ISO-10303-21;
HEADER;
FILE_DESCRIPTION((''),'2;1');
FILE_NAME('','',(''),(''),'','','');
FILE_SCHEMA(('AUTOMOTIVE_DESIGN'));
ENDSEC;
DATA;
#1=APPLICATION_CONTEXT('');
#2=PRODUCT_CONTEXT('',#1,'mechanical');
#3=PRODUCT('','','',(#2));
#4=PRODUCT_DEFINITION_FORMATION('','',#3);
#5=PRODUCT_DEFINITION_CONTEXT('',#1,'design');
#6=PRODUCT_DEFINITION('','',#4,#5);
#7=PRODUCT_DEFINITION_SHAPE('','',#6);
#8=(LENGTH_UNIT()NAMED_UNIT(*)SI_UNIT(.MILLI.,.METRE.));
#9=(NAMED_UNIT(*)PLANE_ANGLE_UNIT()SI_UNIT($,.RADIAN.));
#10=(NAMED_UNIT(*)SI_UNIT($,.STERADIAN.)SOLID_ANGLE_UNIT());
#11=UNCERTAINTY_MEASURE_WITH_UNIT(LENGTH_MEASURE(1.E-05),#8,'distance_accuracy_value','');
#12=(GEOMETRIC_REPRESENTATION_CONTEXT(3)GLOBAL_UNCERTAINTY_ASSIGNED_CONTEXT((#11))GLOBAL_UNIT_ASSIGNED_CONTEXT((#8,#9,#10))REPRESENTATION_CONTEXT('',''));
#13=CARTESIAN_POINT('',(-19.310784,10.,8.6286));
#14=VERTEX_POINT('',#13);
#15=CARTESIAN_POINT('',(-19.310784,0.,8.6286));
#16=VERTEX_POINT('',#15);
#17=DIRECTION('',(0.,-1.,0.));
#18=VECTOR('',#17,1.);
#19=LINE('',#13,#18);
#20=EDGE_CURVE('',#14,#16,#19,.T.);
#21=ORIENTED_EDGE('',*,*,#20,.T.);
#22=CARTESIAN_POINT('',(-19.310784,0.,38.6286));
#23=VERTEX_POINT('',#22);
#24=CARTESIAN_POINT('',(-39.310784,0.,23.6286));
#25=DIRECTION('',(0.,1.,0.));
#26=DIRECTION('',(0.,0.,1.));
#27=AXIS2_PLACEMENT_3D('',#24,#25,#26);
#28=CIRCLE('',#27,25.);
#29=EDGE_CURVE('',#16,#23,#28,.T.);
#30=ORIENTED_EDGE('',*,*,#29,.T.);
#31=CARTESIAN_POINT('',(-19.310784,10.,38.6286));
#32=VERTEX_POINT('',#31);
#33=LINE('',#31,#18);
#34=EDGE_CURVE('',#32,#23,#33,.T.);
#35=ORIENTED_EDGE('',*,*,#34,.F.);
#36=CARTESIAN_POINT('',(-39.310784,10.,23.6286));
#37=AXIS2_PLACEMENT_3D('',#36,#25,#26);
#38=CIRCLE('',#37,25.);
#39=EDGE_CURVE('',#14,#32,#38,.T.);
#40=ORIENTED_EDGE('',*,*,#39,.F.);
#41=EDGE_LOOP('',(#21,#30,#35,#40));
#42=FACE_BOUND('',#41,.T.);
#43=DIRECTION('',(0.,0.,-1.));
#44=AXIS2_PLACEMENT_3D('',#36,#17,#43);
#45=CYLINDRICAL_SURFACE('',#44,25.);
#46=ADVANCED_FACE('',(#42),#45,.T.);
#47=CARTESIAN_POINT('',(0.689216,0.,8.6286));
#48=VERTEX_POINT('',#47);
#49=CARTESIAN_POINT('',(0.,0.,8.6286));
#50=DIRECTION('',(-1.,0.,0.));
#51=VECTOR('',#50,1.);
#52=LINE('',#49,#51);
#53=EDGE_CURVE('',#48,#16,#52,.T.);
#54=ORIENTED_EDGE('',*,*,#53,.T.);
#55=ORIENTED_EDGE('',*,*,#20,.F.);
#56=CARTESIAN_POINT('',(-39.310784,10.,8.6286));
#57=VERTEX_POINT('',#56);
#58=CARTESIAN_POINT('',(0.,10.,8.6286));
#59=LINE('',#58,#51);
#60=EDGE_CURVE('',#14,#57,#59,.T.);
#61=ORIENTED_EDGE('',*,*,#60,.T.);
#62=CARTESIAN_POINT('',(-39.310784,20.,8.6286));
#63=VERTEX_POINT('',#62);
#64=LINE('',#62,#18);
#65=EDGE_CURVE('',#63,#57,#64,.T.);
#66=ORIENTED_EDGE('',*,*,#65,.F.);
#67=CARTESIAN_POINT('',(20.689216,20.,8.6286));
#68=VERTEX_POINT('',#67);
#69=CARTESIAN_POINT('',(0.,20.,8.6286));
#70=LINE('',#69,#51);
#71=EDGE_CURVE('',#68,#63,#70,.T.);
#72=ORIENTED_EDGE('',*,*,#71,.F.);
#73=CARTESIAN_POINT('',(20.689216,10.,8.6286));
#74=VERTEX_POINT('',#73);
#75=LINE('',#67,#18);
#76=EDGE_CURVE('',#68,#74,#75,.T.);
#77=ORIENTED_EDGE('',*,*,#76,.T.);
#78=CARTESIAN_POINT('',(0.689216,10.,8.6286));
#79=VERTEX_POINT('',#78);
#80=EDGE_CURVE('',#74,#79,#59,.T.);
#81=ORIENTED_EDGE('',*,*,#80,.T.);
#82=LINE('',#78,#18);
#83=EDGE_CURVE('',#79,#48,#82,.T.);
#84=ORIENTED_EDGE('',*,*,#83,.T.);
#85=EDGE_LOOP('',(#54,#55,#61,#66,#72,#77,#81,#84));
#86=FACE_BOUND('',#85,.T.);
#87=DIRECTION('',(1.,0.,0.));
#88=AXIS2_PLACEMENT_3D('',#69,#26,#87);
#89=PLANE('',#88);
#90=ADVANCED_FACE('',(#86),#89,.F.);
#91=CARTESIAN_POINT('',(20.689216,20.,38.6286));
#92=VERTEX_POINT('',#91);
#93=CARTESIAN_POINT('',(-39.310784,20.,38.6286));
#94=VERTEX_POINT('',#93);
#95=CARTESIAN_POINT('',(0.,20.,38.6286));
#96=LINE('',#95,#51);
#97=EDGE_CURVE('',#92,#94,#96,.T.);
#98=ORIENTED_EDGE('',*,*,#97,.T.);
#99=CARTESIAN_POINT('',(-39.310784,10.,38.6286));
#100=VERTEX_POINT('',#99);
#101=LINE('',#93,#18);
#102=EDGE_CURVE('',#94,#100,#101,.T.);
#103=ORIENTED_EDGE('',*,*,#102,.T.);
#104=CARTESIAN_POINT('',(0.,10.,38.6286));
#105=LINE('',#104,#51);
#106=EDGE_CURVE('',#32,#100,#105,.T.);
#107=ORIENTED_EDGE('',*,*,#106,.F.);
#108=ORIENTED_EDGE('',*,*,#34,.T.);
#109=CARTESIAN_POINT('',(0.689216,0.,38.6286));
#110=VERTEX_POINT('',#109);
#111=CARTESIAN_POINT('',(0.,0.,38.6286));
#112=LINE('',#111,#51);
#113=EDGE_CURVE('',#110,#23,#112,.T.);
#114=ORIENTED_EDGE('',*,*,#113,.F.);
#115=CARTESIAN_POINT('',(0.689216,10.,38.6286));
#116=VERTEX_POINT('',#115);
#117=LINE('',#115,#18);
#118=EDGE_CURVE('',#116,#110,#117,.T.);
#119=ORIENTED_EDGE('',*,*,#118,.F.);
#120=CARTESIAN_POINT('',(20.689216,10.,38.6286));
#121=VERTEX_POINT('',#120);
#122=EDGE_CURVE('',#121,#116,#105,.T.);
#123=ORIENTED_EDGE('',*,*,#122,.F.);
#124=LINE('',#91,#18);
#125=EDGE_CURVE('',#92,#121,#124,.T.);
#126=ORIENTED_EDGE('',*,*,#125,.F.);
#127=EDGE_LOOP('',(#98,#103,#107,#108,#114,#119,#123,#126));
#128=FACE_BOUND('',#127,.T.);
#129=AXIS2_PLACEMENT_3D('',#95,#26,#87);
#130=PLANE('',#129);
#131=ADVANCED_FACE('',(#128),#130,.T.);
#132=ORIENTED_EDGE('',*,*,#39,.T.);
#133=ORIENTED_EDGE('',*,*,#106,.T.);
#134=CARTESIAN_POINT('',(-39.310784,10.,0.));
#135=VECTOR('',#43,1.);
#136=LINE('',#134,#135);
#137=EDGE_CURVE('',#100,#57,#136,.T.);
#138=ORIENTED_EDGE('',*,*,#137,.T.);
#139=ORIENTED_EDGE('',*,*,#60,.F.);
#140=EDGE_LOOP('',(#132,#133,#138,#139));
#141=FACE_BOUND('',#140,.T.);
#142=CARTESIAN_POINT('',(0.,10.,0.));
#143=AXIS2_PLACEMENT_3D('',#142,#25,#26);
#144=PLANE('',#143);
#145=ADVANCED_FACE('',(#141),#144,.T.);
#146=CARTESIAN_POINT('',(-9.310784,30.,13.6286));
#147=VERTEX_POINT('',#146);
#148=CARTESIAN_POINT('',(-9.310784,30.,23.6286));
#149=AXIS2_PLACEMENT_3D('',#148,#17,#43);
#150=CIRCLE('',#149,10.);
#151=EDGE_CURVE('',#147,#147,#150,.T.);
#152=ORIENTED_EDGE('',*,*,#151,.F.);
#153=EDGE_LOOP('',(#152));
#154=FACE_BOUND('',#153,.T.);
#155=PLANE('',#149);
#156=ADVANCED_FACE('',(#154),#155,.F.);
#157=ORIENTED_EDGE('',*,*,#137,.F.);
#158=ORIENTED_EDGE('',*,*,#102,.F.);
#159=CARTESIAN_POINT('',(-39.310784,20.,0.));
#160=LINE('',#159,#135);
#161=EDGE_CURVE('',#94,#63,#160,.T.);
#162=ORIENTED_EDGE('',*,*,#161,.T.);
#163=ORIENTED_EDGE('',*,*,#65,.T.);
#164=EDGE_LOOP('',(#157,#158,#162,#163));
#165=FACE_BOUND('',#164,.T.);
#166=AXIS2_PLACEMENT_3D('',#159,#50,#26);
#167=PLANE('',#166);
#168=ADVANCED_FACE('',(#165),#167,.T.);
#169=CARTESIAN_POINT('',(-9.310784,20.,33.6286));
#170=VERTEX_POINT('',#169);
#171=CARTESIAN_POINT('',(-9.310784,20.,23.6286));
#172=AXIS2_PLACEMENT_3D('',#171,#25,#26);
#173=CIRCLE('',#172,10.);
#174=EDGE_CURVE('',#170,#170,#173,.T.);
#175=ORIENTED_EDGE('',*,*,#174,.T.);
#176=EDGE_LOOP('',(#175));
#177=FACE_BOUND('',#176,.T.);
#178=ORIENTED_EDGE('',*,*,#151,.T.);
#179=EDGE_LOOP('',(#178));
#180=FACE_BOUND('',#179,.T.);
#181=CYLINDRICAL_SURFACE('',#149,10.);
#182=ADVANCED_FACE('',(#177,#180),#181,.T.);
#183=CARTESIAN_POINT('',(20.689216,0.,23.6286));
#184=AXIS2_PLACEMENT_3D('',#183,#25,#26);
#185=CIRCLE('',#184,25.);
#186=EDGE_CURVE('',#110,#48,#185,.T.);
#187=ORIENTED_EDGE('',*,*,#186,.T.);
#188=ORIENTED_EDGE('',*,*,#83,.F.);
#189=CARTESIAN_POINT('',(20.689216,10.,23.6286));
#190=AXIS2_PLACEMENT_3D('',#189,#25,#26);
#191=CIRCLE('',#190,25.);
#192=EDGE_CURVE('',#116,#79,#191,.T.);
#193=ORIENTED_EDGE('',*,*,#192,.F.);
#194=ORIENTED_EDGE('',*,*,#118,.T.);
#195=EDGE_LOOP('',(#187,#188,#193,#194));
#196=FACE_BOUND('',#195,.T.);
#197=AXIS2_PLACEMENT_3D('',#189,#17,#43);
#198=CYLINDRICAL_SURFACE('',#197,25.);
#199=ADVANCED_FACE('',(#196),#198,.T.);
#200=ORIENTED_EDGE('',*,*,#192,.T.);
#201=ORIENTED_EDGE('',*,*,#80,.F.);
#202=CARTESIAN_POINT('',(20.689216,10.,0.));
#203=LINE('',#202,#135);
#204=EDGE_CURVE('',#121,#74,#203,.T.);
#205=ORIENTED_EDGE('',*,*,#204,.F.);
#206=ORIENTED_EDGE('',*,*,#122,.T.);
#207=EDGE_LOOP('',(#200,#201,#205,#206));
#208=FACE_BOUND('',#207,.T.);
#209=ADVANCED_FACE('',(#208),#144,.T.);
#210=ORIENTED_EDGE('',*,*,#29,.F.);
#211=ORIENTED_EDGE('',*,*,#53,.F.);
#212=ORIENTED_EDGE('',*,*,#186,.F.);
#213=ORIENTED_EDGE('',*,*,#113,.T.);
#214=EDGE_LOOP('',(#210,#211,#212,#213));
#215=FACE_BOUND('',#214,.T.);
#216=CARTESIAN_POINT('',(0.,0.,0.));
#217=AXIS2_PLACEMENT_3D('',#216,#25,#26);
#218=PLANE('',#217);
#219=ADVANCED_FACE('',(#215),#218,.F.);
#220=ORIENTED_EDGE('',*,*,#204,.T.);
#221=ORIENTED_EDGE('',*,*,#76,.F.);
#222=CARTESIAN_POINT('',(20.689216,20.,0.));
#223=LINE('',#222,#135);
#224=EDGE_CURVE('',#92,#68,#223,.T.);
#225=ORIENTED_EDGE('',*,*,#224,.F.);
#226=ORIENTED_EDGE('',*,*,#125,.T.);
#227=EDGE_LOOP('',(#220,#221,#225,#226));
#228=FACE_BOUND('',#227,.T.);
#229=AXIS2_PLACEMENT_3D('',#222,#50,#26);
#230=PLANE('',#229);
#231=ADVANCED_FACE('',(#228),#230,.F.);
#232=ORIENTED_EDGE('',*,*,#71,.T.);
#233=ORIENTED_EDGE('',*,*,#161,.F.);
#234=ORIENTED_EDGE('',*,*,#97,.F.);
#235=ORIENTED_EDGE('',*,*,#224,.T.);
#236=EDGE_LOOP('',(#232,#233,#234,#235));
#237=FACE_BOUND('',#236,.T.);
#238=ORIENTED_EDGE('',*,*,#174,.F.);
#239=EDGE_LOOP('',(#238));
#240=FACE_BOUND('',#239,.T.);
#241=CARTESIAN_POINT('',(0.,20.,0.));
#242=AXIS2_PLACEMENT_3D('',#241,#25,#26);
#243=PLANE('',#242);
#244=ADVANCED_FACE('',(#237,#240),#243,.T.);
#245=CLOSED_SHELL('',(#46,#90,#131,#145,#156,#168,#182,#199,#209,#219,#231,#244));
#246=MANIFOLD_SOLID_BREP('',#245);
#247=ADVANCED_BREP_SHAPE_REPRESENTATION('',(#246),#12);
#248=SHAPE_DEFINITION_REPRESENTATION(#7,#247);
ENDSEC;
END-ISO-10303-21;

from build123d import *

# Parameters (mm, degrees)
EXTRUDE_1_DEPTH   = 10
EXTRUDE_1_2_DEPTH = 10
SKETCH_1_3_W      = 60
SKETCH_1_3_H      = 30
SKETCH_1_3_R      = 10
EXTRUDE_2_DEPTH   = 20
SKETCH_7_R        = 10
EXTRUDE_4_DEPTH   = 30


with BuildPart() as part:
    # 스케치1 → 보스-돌출1 (new body)
    with BuildSketch(Plane(origin=(0, 0, 0), x_dir=(1, 0, 0), z_dir=(0, 1, 0))):
        with BuildLine():
            Line((20.689216343, -8.628600134), (20.689216343, -38.628600134))
            Line((20.689216343, -38.628600134), (0.689216343, -38.628600134))
            ThreePointArc((0.689216343, -38.628600134), (45.689216343, -23.628600134), (0.689216343, -8.628600134))
            Line((0.689216343, -8.628600134), (20.689216343, -8.628600134))
        make_face()
    extrude(amount=EXTRUDE_1_DEPTH)



with BuildPart() as body_2:
    # 스케치1 → Extrude 1 2 (new body)
    with BuildSketch(Plane(origin=(0, 0, 0), x_dir=(1, 0, 0), z_dir=(0, 1, 0))):
        with BuildLine():
            ThreePointArc((-19.310783657, -8.628600134), (-64.310783657, -23.628600134), (-19.310783657, -38.628600134))
            Line((-19.310783657, -38.628600134), (-39.310783657, -38.628600134))
            Line((-39.310783657, -38.628600134), (-39.310783657, -8.628600134))
            Line((-39.310783657, -8.628600134), (-19.310783657, -8.628600134))
        make_face()
    extrude(amount=EXTRUDE_1_2_DEPTH)


with BuildPart() as part_1:
    add(part.part)

    add(body_2.part)  # 보스-돌출2 merges body 2
    # 스케치1<3> → 보스-돌출2 (add)
    with BuildSketch(Plane(origin=(0, 0, 0), x_dir=(1, 0, 0), z_dir=(0, 1, 0))):
        with Locations((-9.310783657, -23.628600134)):
            Rectangle(SKETCH_1_3_W, SKETCH_1_3_H)
        with Locations((-9.310783657, -23.628600134)):
            Circle(SKETCH_1_3_R, mode=Mode.SUBTRACT)
    extrude(amount=EXTRUDE_2_DEPTH)

    # 스케치7 → 보스-돌출4 (add)
    with BuildSketch(Plane.XZ):
        with Locations((-9.310783657, 23.628600134)):
            Circle(SKETCH_7_R)
    extrude(amount=-EXTRUDE_4_DEPTH)


solid = part_1.part
